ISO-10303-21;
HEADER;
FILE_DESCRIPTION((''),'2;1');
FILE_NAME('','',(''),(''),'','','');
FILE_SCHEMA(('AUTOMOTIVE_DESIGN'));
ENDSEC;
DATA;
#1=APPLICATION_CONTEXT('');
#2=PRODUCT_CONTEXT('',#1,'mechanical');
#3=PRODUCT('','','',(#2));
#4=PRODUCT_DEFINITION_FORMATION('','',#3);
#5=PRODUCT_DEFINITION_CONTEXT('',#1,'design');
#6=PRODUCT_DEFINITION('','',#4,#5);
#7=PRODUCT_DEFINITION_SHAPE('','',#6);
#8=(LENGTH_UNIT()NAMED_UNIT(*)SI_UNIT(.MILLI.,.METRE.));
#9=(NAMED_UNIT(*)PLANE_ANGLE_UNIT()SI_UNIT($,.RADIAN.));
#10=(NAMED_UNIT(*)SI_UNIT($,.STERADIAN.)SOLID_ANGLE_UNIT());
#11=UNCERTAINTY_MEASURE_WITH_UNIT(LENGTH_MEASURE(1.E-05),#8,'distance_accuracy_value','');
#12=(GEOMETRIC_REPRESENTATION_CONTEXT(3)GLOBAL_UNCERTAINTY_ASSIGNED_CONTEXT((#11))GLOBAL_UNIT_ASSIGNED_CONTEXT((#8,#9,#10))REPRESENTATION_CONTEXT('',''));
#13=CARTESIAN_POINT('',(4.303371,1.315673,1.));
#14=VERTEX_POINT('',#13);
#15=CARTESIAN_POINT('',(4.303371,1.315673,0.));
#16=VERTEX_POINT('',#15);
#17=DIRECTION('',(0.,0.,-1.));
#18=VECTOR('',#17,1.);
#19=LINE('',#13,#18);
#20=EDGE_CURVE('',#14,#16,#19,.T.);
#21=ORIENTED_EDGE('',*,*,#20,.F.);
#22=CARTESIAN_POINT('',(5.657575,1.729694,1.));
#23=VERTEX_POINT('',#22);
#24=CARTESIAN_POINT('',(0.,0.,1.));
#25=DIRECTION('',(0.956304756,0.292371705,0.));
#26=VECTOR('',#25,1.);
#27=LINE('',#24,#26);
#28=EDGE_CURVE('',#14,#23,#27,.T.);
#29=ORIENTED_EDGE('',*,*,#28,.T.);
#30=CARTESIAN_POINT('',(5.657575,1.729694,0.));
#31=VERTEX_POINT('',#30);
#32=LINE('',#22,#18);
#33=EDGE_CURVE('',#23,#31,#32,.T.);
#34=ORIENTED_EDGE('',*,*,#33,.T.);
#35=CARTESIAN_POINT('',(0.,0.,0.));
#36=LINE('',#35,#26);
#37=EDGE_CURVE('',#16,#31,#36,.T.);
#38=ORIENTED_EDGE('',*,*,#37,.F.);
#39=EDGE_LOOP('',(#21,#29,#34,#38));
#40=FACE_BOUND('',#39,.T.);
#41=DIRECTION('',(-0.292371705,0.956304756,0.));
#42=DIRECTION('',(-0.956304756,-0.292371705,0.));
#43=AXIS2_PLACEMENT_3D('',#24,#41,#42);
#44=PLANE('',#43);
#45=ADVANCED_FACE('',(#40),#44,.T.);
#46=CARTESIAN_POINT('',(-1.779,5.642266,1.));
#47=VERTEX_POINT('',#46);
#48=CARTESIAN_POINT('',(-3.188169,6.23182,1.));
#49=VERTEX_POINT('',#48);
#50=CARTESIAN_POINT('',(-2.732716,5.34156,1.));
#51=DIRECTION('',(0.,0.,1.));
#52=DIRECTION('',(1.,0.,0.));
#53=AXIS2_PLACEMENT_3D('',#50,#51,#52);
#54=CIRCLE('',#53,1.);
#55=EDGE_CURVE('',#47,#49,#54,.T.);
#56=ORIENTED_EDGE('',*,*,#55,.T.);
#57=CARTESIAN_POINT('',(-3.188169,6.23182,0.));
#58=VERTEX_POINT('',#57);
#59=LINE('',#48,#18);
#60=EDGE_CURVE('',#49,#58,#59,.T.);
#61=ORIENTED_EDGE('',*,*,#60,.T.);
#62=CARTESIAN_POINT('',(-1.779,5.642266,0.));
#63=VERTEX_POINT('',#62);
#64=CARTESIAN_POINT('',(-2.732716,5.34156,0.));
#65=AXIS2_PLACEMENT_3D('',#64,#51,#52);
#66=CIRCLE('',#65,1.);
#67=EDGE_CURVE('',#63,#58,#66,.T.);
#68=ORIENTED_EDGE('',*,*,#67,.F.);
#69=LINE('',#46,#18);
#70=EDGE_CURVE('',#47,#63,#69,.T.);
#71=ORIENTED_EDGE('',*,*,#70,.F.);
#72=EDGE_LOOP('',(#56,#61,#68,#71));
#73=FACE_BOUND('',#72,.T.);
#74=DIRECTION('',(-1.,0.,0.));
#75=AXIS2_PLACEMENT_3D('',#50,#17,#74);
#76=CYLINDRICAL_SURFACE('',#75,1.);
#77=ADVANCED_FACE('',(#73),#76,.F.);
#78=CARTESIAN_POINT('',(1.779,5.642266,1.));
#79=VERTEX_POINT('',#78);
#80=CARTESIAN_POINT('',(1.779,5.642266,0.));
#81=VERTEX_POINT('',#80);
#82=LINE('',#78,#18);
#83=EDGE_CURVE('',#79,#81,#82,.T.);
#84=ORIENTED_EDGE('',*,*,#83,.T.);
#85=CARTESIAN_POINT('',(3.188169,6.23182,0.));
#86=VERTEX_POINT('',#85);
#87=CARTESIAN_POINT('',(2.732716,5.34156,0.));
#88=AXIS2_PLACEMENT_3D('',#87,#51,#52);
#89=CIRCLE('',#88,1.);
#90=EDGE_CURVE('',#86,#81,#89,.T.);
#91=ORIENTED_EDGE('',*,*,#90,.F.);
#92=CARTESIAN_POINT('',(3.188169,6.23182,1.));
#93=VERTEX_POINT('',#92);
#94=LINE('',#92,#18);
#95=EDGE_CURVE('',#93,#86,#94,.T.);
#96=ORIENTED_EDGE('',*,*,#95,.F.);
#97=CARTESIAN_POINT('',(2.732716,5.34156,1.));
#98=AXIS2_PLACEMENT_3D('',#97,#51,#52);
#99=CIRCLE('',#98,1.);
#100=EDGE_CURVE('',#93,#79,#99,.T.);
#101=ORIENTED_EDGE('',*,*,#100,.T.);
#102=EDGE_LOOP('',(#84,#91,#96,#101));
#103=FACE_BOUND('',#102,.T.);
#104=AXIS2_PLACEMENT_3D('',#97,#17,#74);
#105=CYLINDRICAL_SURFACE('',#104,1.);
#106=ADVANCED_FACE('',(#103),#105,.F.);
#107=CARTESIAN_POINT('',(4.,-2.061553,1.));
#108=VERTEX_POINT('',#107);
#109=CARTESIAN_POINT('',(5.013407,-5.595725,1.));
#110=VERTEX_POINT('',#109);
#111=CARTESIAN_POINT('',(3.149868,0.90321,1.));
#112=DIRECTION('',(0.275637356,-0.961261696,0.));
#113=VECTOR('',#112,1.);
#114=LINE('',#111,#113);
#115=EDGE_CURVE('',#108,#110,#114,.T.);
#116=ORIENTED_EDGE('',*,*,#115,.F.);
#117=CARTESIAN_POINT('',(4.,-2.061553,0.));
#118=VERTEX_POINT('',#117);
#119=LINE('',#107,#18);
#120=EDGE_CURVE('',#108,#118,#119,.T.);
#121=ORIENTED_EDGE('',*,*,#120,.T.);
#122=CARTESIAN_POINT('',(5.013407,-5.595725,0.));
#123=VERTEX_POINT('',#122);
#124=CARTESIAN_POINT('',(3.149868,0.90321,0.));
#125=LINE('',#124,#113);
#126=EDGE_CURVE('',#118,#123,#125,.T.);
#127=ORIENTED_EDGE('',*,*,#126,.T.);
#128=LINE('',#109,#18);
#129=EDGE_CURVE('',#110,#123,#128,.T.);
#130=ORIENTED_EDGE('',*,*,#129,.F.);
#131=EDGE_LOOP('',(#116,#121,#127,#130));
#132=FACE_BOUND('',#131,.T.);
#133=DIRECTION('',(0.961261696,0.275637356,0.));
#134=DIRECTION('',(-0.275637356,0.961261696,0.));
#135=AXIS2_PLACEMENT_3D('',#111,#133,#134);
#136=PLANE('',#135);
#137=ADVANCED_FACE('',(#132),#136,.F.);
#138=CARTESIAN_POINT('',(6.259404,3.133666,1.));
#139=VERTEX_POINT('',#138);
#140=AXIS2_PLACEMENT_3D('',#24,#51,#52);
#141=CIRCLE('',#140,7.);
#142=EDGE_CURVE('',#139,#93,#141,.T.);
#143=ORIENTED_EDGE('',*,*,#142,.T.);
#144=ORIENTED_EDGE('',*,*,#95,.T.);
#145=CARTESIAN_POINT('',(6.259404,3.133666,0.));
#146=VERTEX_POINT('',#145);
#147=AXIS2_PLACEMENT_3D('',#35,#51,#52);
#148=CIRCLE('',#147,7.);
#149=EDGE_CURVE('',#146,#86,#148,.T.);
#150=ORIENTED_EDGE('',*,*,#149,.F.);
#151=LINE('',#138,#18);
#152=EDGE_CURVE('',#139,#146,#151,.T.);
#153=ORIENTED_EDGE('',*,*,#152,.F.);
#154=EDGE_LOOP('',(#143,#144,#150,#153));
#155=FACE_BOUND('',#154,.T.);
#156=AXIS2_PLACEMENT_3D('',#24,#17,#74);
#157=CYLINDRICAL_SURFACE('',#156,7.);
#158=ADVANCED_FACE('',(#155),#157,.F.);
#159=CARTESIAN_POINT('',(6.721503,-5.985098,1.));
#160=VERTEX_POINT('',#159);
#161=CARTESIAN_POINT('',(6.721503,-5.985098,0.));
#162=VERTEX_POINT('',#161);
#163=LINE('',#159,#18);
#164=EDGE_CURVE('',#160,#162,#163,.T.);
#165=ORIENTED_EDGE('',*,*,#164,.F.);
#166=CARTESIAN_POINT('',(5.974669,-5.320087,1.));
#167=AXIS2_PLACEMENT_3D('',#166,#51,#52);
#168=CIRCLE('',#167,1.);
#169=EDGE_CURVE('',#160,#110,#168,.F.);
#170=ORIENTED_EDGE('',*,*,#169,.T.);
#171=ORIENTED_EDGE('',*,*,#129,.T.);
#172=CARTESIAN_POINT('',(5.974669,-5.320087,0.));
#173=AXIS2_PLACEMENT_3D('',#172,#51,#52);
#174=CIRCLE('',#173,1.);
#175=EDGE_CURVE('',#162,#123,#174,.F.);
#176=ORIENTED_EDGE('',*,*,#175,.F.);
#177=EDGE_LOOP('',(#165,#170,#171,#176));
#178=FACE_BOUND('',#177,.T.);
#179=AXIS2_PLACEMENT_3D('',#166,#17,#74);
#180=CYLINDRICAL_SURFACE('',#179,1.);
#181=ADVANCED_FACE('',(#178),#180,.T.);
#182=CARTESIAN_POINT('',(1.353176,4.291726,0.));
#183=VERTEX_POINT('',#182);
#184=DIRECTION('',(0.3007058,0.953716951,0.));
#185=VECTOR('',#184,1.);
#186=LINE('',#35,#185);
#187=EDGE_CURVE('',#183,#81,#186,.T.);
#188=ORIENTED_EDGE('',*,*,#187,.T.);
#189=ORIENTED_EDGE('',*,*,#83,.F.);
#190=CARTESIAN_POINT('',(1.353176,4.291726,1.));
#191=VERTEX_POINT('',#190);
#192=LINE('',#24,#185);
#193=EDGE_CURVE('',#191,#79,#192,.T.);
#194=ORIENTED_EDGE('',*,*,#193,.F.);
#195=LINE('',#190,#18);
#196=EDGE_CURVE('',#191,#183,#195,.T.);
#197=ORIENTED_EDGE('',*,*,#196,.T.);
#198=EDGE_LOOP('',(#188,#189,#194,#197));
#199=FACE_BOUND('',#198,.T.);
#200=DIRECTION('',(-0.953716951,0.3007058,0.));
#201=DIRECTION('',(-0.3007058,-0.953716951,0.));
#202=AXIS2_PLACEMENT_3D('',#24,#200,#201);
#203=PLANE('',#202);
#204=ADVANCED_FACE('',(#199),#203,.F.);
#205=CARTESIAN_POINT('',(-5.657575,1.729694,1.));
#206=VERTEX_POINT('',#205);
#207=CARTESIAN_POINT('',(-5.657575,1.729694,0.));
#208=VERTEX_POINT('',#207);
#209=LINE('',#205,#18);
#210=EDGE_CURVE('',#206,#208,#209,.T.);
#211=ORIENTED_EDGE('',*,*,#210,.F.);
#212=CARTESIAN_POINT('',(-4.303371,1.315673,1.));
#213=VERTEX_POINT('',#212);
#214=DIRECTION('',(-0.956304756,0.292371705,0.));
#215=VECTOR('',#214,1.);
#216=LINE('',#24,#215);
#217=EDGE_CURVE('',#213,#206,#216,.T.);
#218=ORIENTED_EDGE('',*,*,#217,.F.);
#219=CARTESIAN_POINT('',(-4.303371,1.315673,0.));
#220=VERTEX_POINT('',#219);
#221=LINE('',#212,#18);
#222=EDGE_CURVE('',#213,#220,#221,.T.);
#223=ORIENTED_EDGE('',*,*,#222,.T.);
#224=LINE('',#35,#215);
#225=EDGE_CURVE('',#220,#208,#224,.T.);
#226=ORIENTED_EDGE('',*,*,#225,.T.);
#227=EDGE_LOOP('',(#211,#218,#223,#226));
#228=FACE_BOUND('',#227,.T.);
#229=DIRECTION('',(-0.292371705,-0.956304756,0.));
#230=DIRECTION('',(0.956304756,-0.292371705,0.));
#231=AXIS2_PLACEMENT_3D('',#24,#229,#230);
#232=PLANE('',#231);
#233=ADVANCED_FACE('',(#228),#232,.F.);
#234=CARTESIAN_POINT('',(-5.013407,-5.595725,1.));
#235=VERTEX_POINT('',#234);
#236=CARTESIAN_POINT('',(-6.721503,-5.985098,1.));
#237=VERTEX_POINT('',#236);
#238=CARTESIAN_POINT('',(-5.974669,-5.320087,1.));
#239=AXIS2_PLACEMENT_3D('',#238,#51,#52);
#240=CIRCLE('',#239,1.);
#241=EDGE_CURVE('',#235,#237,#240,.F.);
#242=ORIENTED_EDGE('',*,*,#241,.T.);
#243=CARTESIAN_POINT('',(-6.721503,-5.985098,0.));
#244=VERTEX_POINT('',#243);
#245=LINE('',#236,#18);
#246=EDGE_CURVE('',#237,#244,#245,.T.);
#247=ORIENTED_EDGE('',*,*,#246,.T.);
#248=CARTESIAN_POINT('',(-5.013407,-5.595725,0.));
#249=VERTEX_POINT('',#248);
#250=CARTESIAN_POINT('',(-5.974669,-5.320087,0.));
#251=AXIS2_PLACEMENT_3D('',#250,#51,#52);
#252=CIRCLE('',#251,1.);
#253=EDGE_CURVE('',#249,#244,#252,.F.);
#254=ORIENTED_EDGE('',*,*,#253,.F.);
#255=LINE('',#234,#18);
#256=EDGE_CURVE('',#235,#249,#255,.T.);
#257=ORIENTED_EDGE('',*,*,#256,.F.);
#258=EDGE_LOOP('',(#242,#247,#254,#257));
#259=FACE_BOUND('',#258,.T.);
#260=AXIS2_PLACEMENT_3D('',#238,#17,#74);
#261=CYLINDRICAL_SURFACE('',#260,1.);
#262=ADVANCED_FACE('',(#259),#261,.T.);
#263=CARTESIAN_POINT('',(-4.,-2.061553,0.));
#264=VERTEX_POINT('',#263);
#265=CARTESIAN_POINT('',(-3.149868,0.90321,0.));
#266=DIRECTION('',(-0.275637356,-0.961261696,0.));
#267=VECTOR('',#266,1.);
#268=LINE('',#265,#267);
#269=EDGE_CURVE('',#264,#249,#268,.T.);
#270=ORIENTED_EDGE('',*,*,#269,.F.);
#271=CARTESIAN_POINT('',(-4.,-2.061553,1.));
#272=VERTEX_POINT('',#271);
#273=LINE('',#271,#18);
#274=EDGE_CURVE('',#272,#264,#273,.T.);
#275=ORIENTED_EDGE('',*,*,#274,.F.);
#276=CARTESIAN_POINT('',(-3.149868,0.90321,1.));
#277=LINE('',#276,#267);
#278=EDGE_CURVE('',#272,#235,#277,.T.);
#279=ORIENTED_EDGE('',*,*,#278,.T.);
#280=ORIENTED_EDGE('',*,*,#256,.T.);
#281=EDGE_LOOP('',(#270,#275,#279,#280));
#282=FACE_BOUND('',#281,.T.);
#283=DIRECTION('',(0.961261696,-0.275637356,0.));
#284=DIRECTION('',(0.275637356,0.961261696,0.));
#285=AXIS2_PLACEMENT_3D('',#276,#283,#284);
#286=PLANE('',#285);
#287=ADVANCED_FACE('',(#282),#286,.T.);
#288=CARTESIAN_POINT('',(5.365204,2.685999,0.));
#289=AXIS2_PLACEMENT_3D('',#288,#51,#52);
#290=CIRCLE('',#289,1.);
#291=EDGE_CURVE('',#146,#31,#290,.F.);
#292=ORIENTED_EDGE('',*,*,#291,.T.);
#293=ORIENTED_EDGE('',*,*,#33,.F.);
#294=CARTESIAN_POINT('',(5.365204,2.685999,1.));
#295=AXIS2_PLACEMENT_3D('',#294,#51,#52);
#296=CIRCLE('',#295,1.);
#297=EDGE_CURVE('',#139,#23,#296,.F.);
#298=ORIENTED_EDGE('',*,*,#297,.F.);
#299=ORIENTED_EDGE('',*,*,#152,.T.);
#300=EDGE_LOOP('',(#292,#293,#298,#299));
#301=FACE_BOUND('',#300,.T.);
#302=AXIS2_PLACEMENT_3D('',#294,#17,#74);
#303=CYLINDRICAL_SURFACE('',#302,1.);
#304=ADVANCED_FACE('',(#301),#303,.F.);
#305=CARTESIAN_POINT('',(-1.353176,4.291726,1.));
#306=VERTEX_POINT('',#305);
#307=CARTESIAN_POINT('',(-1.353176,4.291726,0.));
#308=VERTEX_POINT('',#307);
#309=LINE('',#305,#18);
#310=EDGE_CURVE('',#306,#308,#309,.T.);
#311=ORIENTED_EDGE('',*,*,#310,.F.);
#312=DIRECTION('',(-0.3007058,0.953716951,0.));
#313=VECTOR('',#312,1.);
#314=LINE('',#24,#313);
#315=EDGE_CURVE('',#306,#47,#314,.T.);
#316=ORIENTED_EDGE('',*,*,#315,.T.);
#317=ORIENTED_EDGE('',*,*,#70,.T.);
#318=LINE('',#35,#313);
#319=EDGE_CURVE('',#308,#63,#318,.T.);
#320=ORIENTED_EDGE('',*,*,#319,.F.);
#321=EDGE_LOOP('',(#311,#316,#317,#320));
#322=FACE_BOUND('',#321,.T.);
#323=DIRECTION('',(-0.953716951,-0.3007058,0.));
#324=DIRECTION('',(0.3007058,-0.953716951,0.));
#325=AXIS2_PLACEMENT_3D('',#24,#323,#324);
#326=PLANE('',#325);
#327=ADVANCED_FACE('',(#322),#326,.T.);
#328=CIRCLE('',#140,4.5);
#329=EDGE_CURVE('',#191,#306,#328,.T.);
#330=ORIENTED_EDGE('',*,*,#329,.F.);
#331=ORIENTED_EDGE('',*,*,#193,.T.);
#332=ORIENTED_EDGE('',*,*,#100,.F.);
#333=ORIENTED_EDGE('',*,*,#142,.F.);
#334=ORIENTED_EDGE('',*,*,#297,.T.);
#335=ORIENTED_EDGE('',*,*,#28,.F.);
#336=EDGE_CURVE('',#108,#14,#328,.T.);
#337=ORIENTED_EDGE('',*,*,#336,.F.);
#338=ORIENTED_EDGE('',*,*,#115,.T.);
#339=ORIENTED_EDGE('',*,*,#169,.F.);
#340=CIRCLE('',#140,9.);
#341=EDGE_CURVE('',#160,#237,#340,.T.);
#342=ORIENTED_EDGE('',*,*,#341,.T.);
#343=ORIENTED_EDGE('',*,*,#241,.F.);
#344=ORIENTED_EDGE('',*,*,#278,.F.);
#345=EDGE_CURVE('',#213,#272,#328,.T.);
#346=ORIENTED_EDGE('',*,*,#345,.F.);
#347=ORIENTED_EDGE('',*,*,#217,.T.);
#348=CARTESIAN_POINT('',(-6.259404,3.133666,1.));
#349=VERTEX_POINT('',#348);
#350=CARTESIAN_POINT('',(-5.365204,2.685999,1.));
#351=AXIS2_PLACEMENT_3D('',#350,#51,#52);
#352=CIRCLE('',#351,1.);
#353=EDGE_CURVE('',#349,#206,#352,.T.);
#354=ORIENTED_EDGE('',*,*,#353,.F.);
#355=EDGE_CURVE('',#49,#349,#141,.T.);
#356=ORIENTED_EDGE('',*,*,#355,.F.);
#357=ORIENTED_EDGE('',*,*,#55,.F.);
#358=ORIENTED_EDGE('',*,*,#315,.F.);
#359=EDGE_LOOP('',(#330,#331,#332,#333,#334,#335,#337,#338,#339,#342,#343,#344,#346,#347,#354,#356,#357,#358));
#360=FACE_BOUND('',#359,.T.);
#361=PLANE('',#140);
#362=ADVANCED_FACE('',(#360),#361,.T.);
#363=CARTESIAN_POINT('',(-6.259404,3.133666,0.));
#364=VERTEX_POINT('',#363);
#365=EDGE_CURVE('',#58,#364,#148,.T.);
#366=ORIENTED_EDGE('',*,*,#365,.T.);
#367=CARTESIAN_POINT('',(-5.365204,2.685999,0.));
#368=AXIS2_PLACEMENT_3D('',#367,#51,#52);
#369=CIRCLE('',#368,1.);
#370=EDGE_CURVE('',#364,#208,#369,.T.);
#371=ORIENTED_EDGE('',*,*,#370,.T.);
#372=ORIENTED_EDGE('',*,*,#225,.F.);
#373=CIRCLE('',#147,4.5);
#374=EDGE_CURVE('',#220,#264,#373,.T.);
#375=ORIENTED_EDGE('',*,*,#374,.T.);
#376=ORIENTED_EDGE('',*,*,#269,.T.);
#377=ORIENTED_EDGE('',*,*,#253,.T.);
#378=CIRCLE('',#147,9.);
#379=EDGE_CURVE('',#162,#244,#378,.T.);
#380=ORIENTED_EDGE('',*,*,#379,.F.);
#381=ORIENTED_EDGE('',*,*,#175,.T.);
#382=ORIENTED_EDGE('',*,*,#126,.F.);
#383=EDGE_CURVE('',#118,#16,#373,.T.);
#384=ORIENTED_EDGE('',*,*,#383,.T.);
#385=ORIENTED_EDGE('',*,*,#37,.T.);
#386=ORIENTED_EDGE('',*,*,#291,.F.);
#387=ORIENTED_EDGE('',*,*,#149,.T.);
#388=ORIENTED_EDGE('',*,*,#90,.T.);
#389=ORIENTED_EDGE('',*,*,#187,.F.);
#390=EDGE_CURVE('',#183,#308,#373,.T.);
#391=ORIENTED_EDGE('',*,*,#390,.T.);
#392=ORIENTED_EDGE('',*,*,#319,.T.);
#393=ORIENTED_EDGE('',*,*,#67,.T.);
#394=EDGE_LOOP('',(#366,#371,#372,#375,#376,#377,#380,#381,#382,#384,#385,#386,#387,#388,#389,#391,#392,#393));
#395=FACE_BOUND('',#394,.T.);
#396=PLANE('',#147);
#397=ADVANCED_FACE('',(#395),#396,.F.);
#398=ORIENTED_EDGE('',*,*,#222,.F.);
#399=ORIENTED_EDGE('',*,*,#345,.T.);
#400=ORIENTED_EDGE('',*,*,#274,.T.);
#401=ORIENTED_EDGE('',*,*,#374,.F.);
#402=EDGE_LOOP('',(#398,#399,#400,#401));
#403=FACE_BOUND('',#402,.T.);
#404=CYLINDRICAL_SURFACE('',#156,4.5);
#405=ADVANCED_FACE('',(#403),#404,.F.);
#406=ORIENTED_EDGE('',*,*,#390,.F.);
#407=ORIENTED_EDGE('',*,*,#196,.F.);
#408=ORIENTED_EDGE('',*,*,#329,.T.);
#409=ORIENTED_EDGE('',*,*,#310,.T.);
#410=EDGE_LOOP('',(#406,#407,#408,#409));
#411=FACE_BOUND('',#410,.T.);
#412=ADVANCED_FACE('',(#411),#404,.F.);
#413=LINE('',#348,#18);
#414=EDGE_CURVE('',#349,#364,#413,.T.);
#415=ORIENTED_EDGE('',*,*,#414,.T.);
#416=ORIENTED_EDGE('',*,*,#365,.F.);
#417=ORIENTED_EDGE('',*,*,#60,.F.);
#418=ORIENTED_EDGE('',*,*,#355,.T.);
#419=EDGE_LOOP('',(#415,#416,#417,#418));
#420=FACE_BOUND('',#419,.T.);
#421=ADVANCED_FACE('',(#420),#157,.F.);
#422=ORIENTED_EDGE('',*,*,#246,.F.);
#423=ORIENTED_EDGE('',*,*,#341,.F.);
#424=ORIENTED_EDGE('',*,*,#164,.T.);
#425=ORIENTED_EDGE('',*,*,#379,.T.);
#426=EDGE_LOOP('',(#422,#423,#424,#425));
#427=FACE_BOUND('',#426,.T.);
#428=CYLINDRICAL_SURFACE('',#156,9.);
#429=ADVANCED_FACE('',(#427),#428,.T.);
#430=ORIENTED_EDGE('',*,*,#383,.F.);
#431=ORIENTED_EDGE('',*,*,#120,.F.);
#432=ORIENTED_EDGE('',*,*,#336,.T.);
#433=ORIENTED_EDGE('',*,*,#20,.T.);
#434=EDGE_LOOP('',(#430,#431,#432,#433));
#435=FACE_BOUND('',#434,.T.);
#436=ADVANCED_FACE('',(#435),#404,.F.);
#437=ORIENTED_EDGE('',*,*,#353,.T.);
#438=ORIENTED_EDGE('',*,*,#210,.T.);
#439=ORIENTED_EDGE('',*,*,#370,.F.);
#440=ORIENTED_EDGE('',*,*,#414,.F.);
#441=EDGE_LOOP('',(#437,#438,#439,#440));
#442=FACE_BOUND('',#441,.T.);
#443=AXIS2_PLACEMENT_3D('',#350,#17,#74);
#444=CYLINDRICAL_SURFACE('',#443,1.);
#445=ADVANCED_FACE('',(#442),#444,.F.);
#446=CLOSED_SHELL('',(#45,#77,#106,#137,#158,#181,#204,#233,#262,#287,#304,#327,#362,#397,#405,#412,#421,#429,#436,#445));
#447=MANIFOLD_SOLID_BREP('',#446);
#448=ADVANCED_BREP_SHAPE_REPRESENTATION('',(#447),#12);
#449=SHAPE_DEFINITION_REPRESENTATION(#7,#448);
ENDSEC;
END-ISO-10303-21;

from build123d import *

# Parameters (mm, degrees)
EXTRUDE_1_DEPTH = 1


with BuildPart() as part:
    # 草图1 → 拉伸1 (new body)
    with BuildSketch(Plane.XY):
        with BuildLine():
            Line((4, -2.061552813), (5.013407458, -5.59572462))
            ThreePointArc((5.013407458, -5.59572462), (5.752413022, -6.295075578), (6.721502798, -5.985098172))
            ThreePointArc((6.721502798, -5.985098172), (0, 9), (-6.721502798, -5.985098172))
            ThreePointArc((-6.721502798, -5.985098172), (-5.752413022, -6.295075578), (-5.013407458, -5.59572462))
            Line((-5.013407458, -5.59572462), (-4, -2.061552813))
            ThreePointArc((-4, -2.061552813), (-4.481953497, -0.402607561), (-4.303371402, 1.315672671))
            Line((-4.303371402, 1.315672671), (-5.657575233, 1.729694331))
            ThreePointArc((-5.657575233, 1.729694331), (-6.284318474, 2.2920096), (-6.259404117, 3.133665602))
            ThreePointArc((-6.259404117, 3.133665602), (-4.971297629, 4.928103071), (-3.188169194, 6.231819734))
            ThreePointArc((-3.188169194, 6.231819734), (-2.346762655, 6.264077884), (-1.778999501, 5.642265571))
            Line((-1.778999501, 5.642265571), (-1.353176098, 4.291726278))
            ThreePointArc((-1.353176098, 4.291726278), (0, 4.5), (1.353176098, 4.291726278))
            Line((1.353176098, 4.291726278), (1.778999501, 5.642265571))
            ThreePointArc((1.778999501, 5.642265571), (2.346762655, 6.264077884), (3.188169194, 6.231819734))
            ThreePointArc((3.188169194, 6.231819734), (4.971297629, 4.928103071), (6.259404117, 3.133665602))
            ThreePointArc((6.259404117, 3.133665602), (6.284318474, 2.2920096), (5.657575233, 1.729694331))
            Line((5.657575233, 1.729694331), (4.303371402, 1.315672671))
            ThreePointArc((4.303371402, 1.315672671), (4.481953497, -0.402607561), (4, -2.061552813))
        make_face()
    extrude(amount=EXTRUDE_1_DEPTH)


solid = part.part
